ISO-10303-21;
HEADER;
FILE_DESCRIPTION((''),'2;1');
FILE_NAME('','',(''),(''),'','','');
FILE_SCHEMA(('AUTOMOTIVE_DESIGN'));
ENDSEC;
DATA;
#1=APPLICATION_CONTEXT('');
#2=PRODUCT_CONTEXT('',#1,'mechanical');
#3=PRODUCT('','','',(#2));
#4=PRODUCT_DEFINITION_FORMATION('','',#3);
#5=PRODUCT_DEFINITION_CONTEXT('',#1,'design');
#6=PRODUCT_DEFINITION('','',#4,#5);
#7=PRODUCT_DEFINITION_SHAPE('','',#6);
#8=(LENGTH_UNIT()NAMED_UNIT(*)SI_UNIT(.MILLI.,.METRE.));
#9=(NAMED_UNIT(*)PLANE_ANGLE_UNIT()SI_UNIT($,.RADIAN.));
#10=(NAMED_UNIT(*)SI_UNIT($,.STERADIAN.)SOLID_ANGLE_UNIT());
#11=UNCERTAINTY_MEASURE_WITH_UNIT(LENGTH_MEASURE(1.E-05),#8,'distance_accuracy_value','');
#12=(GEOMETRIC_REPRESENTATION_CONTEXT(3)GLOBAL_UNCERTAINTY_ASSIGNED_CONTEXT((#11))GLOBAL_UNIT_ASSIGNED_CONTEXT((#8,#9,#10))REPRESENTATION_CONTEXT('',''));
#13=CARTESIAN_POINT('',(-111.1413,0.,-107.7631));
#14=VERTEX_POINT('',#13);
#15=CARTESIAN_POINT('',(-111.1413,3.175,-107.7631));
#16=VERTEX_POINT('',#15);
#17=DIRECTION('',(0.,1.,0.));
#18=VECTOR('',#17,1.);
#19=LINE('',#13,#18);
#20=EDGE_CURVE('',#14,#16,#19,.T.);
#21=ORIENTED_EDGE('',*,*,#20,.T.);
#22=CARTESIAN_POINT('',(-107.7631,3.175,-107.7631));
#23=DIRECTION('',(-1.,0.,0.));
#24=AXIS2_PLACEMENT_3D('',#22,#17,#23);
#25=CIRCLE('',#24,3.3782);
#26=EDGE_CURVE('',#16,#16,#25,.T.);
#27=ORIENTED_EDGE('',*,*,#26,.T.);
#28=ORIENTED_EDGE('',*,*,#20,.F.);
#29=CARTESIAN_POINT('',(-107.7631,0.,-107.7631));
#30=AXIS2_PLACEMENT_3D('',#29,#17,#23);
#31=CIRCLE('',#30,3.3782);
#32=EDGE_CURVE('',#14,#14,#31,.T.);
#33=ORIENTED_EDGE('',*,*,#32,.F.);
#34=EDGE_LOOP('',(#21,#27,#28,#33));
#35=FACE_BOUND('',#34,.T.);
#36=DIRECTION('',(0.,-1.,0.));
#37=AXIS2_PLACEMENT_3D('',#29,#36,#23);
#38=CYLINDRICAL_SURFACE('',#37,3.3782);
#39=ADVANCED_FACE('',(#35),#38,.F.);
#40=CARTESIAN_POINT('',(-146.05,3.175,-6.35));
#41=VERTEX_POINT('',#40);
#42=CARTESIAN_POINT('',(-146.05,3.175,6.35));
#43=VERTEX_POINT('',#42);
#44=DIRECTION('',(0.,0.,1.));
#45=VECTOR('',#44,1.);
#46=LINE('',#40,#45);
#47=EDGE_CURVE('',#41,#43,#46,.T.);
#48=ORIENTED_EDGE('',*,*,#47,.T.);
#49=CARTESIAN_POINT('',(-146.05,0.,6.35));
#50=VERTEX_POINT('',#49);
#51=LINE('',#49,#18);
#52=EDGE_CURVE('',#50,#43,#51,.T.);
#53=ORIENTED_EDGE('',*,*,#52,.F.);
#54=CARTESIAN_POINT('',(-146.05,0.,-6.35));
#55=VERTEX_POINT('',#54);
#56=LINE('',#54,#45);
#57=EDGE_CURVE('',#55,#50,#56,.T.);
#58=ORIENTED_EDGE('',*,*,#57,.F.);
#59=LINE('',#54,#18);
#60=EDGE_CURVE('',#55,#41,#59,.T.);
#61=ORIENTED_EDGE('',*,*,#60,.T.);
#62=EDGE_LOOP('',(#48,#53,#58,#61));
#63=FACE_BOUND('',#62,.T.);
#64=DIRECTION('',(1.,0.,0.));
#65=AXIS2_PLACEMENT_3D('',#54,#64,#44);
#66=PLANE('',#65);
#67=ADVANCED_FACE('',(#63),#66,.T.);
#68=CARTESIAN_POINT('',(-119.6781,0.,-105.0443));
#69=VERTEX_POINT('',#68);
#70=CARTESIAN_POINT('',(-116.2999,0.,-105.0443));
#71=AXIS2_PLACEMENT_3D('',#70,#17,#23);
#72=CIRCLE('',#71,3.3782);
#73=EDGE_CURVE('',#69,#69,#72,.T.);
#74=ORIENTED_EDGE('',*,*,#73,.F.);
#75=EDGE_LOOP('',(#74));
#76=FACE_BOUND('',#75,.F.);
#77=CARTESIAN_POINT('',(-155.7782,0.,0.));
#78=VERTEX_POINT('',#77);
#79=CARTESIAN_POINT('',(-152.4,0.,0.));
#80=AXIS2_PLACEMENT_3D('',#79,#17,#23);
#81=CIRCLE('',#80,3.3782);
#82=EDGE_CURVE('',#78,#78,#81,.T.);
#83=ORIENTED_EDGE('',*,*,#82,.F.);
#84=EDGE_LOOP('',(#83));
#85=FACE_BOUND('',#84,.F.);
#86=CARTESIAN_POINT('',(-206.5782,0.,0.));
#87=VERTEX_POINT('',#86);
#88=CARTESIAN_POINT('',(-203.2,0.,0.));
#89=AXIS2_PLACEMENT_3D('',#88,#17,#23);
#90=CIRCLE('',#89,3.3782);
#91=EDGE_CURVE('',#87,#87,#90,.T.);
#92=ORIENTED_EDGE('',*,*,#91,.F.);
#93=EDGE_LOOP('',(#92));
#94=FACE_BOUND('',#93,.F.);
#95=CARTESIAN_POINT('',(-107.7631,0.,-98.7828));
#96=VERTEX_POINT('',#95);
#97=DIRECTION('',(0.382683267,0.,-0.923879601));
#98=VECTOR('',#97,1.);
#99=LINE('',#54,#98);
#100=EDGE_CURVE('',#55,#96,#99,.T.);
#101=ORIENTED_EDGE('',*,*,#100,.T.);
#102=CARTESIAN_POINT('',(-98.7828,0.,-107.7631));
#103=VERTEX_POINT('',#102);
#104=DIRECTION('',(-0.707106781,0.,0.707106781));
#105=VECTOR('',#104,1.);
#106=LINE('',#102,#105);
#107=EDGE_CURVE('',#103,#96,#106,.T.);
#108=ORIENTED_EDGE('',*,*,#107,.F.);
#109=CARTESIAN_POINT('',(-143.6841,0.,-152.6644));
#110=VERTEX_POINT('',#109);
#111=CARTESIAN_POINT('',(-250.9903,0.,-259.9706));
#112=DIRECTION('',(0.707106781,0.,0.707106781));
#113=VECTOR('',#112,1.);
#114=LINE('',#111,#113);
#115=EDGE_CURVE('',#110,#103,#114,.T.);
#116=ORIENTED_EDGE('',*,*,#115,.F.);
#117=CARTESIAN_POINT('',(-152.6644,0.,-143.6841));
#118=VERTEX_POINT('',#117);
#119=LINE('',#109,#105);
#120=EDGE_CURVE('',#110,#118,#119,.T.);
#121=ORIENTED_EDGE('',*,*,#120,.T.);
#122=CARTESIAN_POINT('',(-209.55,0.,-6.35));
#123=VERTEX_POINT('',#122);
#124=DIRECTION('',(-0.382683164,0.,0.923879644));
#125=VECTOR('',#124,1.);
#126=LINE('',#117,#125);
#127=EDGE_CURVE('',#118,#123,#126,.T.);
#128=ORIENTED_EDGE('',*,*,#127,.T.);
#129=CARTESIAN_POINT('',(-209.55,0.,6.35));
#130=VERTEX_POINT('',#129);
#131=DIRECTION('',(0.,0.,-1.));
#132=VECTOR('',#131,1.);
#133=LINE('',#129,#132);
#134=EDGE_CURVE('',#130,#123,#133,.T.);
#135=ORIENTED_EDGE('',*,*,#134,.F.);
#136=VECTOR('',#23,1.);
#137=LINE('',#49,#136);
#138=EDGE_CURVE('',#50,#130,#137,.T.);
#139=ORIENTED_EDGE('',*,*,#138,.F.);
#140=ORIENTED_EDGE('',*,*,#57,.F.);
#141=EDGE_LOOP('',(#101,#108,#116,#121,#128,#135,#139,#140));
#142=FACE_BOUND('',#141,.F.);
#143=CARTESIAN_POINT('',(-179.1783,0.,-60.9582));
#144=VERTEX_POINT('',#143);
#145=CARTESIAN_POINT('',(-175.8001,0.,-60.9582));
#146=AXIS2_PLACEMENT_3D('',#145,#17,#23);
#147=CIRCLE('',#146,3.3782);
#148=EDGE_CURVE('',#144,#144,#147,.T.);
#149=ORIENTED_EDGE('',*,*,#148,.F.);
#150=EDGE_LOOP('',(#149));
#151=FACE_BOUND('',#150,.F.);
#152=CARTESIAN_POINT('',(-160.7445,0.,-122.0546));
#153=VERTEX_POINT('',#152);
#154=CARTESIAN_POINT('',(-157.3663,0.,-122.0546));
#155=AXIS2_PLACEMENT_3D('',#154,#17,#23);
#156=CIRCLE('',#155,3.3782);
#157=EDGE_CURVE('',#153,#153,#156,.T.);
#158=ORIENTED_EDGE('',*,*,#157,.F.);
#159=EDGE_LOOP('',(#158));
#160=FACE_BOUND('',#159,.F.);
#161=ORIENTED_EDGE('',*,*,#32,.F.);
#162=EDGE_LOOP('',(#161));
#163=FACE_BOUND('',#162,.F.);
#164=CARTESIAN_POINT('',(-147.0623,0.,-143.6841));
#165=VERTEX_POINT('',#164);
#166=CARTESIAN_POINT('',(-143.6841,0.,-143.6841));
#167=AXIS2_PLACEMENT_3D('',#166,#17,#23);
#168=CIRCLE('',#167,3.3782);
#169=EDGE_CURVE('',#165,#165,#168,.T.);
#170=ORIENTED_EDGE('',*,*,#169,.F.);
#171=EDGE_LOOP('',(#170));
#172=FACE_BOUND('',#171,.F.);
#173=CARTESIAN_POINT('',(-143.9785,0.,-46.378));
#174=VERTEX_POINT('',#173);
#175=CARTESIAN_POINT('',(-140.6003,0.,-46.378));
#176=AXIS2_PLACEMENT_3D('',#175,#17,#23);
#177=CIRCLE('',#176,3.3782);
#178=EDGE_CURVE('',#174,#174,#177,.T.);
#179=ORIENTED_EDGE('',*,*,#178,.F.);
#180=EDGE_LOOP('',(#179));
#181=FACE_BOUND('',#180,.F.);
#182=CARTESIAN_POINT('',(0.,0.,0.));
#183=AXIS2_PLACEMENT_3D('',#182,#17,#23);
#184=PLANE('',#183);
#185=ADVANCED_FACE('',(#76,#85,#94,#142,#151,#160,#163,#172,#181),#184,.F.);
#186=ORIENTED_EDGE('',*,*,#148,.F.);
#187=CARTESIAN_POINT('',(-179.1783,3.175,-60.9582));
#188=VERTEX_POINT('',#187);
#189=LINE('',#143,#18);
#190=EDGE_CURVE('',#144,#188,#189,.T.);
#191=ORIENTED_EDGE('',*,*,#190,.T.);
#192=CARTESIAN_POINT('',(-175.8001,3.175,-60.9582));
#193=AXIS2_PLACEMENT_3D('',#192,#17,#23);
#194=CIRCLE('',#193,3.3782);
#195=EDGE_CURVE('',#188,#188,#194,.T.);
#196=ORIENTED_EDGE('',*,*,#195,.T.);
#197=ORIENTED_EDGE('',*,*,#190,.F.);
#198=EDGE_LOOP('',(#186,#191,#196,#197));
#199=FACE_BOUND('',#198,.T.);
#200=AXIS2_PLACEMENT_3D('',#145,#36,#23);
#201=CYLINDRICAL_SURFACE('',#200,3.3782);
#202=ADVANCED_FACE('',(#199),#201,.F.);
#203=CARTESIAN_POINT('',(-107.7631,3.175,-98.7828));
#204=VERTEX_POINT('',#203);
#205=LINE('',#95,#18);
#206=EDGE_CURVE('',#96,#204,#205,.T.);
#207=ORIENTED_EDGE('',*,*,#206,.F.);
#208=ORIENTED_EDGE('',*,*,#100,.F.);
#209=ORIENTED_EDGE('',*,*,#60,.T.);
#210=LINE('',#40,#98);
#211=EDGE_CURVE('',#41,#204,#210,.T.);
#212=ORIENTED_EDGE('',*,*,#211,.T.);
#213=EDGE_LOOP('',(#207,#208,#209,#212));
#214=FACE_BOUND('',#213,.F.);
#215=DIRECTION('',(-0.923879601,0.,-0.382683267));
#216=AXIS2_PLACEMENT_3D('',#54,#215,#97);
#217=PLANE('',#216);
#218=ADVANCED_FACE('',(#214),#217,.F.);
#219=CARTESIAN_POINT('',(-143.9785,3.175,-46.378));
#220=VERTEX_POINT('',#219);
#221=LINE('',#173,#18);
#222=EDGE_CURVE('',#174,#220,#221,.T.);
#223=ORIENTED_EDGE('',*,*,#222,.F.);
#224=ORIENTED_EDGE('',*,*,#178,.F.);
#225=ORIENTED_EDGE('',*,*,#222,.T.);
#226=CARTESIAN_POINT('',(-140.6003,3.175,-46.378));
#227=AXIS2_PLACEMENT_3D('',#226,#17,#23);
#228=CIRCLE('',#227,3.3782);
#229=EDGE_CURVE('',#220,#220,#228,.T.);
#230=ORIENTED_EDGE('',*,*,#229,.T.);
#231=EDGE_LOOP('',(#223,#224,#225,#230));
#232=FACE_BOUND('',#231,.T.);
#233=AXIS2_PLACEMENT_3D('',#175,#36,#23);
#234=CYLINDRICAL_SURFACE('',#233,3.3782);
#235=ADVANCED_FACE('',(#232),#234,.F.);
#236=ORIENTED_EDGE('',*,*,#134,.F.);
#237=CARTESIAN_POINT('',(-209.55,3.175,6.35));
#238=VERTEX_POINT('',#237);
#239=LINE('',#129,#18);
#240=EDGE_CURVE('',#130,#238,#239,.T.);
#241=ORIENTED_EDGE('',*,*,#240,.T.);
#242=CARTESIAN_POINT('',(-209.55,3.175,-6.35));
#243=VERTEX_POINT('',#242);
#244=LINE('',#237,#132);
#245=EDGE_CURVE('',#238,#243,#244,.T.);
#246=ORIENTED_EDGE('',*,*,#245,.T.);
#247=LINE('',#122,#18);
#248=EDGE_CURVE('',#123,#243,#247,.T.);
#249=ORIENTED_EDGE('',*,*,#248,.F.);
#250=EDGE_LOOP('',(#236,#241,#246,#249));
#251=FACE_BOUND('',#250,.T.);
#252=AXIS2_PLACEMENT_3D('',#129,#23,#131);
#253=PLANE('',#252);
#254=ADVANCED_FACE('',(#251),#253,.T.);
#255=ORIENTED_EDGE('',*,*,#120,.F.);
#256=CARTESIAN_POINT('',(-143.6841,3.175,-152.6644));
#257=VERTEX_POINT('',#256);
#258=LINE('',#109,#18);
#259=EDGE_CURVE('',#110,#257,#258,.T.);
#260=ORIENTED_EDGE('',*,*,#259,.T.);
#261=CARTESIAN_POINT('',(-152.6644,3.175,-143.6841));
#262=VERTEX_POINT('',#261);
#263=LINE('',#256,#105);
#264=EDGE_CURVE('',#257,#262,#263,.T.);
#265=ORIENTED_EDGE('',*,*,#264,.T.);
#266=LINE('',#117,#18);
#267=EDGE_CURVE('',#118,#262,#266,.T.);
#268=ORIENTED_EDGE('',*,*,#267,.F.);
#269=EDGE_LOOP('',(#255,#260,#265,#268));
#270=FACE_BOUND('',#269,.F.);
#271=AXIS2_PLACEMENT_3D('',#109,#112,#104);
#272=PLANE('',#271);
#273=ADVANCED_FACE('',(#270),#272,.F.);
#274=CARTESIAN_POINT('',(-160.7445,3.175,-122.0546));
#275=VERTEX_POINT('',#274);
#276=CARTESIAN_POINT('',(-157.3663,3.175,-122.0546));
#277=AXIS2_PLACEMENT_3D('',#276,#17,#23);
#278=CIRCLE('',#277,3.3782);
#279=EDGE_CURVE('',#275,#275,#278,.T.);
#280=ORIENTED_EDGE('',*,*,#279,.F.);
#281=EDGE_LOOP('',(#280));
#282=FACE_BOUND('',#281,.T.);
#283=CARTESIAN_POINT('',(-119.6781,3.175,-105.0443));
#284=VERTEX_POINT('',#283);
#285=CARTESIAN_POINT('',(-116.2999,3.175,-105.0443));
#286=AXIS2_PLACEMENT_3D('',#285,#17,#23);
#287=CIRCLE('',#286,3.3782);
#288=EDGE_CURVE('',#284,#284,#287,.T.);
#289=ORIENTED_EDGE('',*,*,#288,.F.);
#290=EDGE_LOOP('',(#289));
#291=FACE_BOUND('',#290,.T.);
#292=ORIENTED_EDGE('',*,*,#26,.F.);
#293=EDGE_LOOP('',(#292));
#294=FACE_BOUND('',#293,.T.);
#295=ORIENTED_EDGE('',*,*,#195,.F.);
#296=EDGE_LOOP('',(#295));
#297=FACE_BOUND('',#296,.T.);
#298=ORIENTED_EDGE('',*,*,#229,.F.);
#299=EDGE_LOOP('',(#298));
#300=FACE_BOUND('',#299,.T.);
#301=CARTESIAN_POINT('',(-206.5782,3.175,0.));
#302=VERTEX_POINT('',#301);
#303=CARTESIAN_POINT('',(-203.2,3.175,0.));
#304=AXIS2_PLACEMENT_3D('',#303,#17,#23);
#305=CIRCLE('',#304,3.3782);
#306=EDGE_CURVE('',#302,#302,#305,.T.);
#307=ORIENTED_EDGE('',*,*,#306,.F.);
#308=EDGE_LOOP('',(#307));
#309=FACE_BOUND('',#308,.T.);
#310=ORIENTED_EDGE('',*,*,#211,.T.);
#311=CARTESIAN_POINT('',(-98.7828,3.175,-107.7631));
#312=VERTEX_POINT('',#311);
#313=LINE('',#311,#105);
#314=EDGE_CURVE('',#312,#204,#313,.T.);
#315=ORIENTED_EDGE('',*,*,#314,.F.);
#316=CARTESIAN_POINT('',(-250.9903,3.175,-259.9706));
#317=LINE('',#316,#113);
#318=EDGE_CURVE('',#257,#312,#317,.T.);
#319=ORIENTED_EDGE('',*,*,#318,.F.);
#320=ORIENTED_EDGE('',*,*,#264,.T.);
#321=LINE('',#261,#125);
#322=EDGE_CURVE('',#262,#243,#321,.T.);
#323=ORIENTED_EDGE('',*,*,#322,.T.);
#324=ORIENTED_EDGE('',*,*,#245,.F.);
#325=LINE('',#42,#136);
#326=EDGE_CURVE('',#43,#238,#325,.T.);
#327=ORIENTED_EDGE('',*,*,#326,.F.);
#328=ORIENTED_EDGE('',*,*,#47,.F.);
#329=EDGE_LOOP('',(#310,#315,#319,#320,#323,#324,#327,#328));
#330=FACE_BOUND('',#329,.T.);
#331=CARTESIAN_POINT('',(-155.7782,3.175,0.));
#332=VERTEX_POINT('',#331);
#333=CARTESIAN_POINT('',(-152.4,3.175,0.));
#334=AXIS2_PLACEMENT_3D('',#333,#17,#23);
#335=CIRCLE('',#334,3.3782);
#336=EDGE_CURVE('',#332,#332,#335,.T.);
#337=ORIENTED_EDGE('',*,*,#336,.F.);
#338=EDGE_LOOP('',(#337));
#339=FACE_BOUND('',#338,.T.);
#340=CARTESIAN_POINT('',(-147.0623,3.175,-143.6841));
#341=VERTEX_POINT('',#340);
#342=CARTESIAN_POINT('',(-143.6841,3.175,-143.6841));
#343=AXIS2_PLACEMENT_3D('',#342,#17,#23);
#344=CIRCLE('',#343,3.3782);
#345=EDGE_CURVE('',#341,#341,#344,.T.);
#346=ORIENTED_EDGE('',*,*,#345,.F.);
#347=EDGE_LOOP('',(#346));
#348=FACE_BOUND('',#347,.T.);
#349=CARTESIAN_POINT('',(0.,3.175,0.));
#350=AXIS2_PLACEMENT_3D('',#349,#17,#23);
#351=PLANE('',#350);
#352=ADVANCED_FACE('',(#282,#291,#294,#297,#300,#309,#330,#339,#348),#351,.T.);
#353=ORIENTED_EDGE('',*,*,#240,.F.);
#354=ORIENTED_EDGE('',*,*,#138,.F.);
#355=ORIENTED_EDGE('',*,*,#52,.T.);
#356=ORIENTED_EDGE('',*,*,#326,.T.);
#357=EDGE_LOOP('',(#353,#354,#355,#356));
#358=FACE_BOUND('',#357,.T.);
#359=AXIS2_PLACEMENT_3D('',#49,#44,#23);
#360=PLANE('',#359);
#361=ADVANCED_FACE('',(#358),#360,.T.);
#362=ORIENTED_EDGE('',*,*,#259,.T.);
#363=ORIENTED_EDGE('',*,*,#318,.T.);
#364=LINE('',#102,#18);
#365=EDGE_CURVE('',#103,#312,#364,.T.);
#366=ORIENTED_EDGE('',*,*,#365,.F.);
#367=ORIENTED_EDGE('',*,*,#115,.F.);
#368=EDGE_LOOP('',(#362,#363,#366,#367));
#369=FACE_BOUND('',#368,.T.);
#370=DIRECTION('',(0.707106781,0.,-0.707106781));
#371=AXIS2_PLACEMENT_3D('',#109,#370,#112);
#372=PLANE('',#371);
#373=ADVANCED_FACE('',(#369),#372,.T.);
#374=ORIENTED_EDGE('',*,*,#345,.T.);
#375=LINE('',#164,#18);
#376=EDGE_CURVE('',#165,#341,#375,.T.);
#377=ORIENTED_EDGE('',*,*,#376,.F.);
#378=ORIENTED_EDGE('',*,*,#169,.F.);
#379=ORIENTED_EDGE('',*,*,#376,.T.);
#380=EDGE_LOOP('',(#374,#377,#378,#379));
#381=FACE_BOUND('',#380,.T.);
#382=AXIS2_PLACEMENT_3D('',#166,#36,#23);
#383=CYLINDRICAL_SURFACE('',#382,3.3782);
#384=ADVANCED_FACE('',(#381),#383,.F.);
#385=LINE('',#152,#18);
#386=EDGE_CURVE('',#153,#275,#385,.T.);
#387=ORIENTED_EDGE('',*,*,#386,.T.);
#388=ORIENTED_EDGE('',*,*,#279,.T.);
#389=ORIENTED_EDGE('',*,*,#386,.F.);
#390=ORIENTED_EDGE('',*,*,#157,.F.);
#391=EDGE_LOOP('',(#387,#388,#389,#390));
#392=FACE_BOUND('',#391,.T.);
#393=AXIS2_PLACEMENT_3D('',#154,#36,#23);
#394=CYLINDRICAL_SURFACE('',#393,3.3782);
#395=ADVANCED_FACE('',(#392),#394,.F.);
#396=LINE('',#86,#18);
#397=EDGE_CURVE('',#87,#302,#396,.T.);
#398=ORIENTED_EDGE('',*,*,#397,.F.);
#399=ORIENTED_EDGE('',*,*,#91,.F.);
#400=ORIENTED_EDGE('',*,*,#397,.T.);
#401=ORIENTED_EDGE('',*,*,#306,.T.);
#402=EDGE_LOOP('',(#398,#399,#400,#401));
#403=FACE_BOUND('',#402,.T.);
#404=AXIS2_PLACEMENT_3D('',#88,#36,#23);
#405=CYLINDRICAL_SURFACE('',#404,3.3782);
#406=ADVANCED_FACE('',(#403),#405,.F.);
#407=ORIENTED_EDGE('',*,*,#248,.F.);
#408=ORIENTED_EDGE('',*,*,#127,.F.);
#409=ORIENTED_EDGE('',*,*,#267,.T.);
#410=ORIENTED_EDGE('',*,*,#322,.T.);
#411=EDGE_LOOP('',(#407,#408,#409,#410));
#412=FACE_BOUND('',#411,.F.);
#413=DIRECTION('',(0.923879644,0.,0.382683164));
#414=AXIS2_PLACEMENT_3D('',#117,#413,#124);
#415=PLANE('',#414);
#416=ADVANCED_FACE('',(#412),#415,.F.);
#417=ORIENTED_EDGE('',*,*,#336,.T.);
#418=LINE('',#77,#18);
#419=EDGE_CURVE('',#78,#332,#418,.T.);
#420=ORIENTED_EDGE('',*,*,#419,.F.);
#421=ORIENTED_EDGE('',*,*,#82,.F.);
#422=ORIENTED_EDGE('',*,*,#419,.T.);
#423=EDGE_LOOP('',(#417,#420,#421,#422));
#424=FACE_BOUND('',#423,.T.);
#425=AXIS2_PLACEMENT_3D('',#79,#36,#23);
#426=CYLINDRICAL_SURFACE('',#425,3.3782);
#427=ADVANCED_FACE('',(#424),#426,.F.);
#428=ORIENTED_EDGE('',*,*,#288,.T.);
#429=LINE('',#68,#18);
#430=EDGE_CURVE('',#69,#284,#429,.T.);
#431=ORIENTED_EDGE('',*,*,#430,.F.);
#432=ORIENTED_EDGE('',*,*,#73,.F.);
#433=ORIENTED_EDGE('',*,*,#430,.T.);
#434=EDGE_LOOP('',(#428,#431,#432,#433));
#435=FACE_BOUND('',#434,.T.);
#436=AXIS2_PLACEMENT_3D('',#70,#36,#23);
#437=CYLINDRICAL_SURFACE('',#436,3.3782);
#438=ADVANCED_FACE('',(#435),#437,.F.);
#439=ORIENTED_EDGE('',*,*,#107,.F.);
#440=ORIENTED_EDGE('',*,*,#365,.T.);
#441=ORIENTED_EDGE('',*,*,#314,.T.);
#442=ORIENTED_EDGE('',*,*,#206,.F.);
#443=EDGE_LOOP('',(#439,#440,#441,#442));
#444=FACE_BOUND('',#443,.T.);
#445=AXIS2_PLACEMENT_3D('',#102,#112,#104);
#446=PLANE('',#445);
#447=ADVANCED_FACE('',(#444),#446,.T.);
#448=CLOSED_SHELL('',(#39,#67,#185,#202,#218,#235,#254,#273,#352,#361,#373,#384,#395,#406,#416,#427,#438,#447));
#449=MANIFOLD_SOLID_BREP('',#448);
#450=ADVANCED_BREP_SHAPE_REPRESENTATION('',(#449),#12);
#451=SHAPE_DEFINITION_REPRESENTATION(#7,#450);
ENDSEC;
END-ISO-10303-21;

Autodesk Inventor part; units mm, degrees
ref_plane "YZ Plane" through (0, 0, 0) normal (1, 0, 0) x (0, 1, 0)
ref_plane "XZ Plane" through (0, 0, 0) normal (0, 1, 0) x (-1, 0, 0)
ref_plane "XY Plane" through (0, 0, 0) normal (0, 0, 1) x (1, 0, 0)
sketch "Sketch1" plane through (0, 0, 0) normal (0, 1, 0) x (-1, 0, 0)
  circle A0 centre (0, 0) radius 152.4 construction
  circle A1 centre (0, 0) radius 203.2 construction
  line L0 (0, 0) -> (0, -94.5056)
  line L1 (0, 0) -> (255.4804, -255.4804) construction
  circle A2 centre (152.4, 0) radius 3.3782
  circle A3 centre (203.2, 0) radius 3.3782
  circle A4 centre (107.7631, -107.7631) radius 3.3782
  circle A5 centre (143.6841, -143.6841) radius 3.3782
  line L2 (250.9903, -259.9706) -> (8.0112, -16.9915)
  line L3 (143.6841, -152.6644) -> (152.6644, -143.6841)
  line L4 (98.7828, -107.7631) -> (107.7631, -98.7828)
  line L5 (146.05, 6.35) -> (209.55, 6.35)
  line L6 (209.55, 6.35) -> (209.55, -6.35)
  line L7 (146.05, -6.35) -> (146.05, 6.35)
  line L8 (152.6644, -143.6841) -> (209.55, -6.35)
  line L9 (146.05, -6.35) -> (107.7631, -98.7828)
  circle A6 centre (175.8001, -60.9582) radius 3.3782
  circle A7 centre (157.3663, -122.0546) radius 3.3782
  circle A8 centre (140.6003, -46.378) radius 3.3782
  circle A9 centre (116.2999, -105.0443) radius 3.3782
  dimension "d34" = 304.8
  dimension "d36" = 406.4
  dimension "d38" = 45
  dimension "d40" = 6.7564
  dimension "d41" = 6.7564
  dimension "d42" = 6.7564
  dimension "d43" = 6.7564
  dimension "d44" = 6.35
  dimension "d45" = 6.35
  dimension "d46" = 6.35
  dimension "d48" = 6.35
  dimension "d49" = 6.35
  dimension "d51" = 6.35
  dimension "d52" = 6.35
  dimension "d53" = 157.5
  dimension "d58" = 6.7564
  dimension "d59" = 6.7564
  dimension "d64" = 6.7564
  dimension "d70" = 6.7564
  dimension "d72" = 63.5
ref_plane "Work Plane1" through (0, 3.175, 0) normal (0, 1, 0) x (1, 0, 0)
extrude "Extrusion5" add sketch "Sketch1" along normal blind 3.175
properties part number "Extender Mounting Plate"
